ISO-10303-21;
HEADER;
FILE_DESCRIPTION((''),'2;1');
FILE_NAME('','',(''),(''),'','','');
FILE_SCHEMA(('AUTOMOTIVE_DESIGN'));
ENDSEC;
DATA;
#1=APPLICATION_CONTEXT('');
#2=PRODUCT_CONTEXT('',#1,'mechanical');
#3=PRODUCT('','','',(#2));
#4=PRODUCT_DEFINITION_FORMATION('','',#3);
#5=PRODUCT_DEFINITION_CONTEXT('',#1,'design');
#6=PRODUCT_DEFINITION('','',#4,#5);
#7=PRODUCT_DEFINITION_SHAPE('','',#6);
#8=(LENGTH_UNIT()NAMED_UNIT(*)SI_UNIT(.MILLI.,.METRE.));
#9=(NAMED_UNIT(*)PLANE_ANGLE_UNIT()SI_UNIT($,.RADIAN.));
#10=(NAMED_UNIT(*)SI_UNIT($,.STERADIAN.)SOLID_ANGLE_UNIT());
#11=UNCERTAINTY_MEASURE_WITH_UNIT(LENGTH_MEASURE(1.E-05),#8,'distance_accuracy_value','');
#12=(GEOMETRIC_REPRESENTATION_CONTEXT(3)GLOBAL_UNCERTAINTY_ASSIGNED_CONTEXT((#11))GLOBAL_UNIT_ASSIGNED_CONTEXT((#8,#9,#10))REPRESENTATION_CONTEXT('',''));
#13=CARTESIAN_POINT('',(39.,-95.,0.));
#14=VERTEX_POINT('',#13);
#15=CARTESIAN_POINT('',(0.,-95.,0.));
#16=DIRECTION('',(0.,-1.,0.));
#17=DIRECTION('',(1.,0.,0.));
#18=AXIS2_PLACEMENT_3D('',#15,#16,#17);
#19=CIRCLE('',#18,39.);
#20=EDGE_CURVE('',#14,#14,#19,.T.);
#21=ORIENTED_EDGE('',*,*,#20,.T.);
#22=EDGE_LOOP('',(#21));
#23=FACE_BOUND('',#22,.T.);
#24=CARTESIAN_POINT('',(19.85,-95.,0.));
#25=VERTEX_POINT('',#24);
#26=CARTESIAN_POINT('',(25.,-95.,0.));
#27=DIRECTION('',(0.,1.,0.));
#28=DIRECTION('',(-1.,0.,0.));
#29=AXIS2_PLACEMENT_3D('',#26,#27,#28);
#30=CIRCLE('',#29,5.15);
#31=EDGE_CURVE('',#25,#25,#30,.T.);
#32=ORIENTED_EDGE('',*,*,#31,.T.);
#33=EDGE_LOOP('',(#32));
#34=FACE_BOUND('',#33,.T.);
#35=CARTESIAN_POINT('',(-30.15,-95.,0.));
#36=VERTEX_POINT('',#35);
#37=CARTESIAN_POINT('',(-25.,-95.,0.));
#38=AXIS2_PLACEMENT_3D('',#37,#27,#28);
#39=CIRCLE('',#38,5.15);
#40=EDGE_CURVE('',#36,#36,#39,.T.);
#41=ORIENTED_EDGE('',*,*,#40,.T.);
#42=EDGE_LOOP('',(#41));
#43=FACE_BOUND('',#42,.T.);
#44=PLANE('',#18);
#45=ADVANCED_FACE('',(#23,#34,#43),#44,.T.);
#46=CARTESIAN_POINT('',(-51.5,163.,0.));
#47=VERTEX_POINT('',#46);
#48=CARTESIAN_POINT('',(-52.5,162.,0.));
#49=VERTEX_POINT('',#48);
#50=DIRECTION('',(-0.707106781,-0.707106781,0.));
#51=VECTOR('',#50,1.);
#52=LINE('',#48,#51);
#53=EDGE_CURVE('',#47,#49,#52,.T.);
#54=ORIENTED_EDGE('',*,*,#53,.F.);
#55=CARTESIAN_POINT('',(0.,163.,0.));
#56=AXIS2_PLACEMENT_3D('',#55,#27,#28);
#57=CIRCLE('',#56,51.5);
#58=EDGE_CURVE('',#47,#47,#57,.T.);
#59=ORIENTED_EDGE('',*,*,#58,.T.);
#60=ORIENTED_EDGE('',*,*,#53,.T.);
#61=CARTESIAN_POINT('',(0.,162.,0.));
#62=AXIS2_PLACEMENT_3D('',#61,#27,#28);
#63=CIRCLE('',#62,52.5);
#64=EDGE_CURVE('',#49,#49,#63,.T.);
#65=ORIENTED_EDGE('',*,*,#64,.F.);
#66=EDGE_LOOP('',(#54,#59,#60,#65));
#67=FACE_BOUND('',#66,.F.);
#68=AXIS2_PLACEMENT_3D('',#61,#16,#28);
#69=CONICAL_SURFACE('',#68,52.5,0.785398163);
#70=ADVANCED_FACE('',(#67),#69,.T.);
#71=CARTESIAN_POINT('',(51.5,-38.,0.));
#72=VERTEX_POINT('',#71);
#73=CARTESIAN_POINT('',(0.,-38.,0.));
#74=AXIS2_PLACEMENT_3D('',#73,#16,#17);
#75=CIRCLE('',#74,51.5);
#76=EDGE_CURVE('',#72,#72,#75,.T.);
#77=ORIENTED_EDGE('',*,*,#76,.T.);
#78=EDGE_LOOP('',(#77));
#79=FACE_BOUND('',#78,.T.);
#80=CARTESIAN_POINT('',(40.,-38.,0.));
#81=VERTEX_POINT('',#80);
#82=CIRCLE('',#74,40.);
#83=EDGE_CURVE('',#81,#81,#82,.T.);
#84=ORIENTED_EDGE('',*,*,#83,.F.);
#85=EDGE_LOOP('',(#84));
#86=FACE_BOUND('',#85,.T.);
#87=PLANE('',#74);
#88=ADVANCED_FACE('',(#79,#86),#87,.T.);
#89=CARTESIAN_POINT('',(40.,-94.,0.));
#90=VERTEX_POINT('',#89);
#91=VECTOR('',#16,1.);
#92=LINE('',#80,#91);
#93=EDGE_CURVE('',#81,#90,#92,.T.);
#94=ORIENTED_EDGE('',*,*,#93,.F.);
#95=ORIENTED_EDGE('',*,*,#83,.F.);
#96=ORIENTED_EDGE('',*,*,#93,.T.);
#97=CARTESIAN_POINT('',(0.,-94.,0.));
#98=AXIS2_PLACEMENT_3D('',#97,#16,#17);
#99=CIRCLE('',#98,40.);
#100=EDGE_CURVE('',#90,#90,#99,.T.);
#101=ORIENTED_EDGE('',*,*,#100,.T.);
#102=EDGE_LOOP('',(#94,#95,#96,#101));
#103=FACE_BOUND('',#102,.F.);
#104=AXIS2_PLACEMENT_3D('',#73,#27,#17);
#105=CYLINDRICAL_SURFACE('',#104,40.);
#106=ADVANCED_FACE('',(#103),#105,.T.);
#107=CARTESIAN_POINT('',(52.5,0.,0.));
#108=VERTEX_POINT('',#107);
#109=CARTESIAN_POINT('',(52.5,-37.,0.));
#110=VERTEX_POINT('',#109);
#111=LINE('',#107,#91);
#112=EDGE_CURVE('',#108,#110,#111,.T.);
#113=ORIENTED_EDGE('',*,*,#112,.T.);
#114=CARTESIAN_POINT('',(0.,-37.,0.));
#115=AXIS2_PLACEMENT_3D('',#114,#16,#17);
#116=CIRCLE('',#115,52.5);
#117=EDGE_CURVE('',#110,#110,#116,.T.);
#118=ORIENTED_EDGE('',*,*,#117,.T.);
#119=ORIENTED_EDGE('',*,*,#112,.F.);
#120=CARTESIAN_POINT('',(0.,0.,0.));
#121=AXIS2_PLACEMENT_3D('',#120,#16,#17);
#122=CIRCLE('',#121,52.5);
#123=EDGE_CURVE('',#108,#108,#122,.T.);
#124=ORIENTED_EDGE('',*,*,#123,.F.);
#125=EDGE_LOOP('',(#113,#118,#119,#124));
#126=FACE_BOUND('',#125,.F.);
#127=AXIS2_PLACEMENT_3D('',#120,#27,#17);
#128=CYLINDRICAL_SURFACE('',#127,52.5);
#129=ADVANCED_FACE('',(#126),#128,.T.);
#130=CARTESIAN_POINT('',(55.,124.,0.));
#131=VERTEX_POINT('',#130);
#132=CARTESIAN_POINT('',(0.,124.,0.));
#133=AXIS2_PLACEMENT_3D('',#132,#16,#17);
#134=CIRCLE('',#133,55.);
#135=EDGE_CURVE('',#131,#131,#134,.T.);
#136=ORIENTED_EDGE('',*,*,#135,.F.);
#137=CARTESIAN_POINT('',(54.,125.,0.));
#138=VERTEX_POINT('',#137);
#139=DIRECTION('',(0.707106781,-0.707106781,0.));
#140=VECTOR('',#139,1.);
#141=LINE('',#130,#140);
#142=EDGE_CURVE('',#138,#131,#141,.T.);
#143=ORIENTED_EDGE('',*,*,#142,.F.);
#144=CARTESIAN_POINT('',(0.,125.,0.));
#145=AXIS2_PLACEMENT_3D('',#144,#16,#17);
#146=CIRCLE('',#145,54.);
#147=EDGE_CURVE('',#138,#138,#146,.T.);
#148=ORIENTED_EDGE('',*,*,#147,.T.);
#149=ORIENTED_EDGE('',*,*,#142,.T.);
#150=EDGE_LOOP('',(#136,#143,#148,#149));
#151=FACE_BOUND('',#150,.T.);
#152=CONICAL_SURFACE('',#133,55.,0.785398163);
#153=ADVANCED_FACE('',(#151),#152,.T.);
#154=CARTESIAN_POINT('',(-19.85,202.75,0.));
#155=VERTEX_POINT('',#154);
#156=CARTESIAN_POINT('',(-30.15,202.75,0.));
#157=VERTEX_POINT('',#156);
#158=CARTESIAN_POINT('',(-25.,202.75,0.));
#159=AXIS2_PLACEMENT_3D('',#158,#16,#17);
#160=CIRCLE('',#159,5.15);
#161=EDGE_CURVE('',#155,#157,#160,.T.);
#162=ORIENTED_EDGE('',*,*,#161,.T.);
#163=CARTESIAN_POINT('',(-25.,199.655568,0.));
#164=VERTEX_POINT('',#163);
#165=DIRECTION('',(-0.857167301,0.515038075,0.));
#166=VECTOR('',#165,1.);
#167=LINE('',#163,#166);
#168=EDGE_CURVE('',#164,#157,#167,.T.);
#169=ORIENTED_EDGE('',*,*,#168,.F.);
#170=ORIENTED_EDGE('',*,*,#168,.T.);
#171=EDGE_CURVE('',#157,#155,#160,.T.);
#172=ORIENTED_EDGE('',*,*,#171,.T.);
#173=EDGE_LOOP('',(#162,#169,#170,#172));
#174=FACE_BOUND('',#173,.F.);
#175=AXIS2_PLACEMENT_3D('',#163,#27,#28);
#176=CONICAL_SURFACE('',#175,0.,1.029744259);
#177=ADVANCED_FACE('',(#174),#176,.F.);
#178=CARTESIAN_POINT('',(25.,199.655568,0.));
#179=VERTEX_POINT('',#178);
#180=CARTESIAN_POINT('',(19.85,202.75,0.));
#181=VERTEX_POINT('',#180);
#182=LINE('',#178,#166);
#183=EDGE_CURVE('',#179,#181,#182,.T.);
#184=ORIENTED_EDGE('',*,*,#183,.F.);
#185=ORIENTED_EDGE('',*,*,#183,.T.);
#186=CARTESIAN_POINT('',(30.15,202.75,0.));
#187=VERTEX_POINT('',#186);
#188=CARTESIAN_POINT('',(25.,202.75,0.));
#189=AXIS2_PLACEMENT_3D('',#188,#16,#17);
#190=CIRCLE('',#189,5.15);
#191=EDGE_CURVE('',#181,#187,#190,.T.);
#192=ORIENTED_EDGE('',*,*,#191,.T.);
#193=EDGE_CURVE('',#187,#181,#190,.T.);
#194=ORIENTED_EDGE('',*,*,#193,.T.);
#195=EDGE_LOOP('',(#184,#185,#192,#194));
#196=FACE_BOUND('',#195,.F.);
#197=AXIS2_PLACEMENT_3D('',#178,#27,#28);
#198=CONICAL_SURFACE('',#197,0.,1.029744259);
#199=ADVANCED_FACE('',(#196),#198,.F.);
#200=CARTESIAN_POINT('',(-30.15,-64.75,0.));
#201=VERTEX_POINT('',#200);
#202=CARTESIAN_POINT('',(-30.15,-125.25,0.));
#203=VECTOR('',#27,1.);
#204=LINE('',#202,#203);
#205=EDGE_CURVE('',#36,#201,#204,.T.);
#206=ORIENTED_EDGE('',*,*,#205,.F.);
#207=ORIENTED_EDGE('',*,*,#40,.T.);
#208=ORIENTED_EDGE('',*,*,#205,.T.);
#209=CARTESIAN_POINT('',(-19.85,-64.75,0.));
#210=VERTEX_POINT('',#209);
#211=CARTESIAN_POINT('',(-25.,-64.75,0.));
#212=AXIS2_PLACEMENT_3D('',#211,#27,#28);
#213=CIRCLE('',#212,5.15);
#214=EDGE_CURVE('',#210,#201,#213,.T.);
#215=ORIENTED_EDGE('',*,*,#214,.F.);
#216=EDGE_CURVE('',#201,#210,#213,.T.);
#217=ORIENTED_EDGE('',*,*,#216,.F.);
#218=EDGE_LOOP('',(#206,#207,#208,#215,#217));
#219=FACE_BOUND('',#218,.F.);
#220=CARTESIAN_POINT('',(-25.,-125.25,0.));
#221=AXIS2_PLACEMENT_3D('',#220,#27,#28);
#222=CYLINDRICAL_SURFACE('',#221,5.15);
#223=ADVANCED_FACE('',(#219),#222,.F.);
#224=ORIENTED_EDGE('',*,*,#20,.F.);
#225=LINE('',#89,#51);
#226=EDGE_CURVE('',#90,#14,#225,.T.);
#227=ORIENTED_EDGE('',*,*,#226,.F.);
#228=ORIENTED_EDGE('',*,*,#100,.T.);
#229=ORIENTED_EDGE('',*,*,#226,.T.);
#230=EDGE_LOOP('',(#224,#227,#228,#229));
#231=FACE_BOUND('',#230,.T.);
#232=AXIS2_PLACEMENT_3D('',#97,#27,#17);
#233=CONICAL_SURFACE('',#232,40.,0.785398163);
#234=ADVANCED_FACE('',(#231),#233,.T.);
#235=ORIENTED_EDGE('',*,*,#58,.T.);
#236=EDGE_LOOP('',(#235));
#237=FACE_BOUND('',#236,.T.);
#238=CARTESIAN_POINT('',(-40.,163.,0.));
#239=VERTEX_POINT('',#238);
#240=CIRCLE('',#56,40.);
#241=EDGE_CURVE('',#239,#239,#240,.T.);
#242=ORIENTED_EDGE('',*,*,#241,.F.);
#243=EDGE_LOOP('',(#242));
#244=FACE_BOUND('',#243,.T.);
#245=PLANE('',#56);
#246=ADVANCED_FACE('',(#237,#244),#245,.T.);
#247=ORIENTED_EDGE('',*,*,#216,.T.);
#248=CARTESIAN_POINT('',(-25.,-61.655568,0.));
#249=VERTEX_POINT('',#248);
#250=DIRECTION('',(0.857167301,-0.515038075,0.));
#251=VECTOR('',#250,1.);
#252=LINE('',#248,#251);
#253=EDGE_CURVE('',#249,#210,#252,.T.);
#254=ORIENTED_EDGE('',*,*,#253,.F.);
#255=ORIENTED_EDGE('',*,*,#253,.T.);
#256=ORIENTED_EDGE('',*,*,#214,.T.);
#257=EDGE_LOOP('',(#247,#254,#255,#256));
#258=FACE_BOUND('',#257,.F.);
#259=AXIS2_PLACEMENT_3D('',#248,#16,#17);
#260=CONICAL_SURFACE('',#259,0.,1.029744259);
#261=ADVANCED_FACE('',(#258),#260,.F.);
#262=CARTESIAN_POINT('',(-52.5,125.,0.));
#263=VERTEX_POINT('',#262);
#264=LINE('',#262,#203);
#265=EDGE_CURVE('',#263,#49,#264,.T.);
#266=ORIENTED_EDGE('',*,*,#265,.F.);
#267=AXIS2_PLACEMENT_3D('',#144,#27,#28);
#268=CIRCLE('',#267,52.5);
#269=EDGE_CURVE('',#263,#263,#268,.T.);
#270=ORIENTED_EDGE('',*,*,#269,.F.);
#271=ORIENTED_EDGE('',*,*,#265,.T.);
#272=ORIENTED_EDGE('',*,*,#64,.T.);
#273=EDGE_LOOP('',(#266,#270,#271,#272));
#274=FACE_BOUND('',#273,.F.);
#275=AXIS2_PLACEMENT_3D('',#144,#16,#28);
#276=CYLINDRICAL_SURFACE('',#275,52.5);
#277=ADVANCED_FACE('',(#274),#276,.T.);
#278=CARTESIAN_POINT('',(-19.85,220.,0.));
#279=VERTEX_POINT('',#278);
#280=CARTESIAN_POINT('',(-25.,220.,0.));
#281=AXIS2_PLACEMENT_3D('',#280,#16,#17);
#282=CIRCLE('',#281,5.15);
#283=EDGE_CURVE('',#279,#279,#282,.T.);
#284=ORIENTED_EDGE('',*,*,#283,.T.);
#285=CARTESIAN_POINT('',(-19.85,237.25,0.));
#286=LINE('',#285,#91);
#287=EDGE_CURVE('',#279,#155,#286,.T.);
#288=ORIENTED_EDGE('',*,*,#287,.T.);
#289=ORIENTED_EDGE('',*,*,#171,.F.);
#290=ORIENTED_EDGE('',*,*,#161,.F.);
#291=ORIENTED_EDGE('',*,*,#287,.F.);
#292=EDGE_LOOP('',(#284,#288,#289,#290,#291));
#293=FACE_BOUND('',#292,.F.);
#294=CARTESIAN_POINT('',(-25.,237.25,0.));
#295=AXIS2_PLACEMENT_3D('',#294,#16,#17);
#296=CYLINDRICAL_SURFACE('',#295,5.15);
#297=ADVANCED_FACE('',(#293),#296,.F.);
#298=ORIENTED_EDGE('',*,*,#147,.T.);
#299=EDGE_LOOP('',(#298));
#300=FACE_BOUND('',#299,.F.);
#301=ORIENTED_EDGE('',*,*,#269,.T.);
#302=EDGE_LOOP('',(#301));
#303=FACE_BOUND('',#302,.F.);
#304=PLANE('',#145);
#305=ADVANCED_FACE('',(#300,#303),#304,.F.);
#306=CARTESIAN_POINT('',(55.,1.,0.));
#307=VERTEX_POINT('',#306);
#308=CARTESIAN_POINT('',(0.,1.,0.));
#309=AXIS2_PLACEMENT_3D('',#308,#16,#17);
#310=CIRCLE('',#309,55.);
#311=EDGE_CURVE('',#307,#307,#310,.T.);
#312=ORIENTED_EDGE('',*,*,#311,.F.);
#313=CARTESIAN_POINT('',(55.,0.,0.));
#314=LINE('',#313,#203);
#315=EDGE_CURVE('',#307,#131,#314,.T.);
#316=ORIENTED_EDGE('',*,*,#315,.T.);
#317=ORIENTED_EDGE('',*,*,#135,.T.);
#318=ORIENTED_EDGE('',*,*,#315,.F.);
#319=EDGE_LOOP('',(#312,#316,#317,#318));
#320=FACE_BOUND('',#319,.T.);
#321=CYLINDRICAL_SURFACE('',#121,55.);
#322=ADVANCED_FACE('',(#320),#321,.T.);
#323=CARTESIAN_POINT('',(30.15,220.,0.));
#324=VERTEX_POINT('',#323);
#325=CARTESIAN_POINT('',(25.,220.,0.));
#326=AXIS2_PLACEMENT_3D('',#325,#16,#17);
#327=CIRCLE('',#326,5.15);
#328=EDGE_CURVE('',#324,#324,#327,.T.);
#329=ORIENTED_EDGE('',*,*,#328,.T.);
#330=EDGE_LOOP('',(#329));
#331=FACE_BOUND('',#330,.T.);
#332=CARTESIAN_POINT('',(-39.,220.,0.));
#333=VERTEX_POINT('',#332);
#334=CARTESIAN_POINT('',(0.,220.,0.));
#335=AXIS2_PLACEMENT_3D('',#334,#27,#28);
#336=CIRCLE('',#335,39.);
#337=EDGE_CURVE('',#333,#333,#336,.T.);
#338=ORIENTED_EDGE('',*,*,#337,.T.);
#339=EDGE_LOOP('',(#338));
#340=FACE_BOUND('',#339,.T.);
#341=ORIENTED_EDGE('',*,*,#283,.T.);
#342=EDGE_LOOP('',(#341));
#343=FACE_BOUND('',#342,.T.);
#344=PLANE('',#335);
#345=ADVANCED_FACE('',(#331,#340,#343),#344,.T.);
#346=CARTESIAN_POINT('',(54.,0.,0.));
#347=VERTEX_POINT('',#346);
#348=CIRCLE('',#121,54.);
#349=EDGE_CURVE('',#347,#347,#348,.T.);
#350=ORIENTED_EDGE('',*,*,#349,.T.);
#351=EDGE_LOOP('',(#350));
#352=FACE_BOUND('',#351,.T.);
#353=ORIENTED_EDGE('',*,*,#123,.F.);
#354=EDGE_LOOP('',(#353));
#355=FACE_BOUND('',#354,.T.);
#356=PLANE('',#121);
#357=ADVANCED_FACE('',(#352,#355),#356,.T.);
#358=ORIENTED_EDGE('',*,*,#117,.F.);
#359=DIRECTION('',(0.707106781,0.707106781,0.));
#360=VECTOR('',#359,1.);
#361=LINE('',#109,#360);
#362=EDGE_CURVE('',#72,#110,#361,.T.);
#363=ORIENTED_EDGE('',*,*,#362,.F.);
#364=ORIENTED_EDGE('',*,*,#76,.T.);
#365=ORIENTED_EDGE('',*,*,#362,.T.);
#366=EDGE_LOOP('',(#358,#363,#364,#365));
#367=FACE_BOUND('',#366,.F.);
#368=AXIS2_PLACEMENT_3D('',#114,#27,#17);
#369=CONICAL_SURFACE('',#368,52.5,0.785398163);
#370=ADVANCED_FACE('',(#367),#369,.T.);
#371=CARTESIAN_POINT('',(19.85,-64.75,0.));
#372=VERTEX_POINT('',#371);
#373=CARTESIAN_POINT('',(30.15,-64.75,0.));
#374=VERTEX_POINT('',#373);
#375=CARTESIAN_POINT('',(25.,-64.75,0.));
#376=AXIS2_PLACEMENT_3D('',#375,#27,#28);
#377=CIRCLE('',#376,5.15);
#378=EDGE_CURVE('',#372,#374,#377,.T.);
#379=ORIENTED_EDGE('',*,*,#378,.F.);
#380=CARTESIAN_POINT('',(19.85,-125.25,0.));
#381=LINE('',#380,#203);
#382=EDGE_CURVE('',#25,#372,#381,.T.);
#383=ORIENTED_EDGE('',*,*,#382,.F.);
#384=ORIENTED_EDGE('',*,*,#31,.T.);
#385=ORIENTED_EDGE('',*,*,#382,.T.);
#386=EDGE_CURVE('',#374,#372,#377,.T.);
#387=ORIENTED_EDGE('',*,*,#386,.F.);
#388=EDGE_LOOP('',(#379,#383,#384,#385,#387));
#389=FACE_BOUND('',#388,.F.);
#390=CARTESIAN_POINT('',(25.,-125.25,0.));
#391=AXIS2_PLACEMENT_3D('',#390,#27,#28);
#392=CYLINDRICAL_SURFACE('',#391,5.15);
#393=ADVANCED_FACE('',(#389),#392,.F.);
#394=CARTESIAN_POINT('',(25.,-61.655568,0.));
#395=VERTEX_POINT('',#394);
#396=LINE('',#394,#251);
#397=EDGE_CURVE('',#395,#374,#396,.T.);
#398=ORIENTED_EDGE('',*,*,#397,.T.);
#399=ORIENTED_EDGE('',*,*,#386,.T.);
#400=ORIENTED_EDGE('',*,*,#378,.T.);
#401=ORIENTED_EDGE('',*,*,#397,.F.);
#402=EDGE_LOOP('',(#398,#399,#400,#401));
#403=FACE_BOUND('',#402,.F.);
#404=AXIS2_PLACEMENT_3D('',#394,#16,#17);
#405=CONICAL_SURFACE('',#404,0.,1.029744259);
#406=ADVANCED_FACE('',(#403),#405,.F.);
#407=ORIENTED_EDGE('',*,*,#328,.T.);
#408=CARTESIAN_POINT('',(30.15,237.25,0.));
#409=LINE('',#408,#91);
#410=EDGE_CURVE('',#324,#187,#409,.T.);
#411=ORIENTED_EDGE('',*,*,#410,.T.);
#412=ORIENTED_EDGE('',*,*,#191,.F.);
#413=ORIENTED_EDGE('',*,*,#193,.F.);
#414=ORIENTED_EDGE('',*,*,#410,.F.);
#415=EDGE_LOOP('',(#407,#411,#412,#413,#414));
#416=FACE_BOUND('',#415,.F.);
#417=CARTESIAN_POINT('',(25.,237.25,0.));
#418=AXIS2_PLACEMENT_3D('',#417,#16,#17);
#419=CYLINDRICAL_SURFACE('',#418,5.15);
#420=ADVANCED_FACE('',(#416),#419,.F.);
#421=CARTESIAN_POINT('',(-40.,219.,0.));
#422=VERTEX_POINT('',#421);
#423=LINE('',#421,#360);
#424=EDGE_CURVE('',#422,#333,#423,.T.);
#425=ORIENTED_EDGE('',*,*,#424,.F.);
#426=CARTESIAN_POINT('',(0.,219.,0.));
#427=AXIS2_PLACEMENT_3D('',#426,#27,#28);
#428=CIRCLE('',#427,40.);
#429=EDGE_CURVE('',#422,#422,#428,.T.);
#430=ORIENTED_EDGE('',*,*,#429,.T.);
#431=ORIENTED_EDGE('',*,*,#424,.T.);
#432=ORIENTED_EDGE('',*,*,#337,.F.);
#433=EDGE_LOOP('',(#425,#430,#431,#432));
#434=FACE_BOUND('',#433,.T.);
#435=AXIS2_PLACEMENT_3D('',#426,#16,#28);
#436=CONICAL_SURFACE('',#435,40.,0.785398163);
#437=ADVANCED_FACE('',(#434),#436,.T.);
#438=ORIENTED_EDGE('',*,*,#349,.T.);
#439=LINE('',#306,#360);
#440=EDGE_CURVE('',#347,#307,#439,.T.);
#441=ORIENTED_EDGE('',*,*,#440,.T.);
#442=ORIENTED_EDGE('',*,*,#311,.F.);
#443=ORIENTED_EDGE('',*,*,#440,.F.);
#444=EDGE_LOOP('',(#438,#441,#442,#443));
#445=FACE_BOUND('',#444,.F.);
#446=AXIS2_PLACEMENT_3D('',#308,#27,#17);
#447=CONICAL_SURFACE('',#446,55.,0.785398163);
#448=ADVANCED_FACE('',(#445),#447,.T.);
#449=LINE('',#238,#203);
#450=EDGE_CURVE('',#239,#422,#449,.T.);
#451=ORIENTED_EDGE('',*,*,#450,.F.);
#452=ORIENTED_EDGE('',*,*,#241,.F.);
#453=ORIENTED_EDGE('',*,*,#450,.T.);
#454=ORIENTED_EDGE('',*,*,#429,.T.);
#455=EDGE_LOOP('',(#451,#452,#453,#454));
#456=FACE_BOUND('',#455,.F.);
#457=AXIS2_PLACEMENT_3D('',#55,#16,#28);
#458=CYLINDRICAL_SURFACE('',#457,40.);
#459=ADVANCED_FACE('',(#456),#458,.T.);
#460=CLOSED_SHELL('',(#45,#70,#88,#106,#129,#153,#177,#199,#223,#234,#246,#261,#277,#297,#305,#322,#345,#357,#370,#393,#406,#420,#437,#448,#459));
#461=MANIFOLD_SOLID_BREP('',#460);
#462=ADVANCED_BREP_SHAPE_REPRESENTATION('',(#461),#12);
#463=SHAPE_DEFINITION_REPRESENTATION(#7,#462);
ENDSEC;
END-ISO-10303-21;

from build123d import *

# Parameters (mm, degrees)
F0_R      = 55
F1_DEPTH  = 125
F2_R      = 52.5
F3_DEPTH  = 38
F4_R      = 40
F5_DEPTH  = 57
F6_R      = 52.5
F7_DEPTH  = 38
F8_R      = 40
F9_DEPTH  = 57
F10_SIZE  = 1
F11_SIZE  = 1
F12_SIZE  = 1
F13_SIZE  = 1
F14_SIZE  = 1
F15_SIZE  = 1
F17_D     = 10.3
F17_DEPTH = 30.25
F17_TIP   = 3.094432188
F19_D     = 10.3
F19_DEPTH = 17.25
F19_TIP   = 3.094432188


with BuildPart() as f1:
    # F0 (on Front) → F1 (new body)
    with BuildSketch(Plane.XZ):
        Circle(F0_R)
    extrude(amount=-F1_DEPTH)

    # F2 (on face) → F3 (join)
    with BuildSketch(Plane.XZ):
        Circle(F2_R)
    extrude(amount=F3_DEPTH)

    # F4 (on face) → F5 (join)
    with BuildSketch(Plane.XZ.offset(38)):
        Circle(F4_R)
    extrude(amount=F5_DEPTH)

    # F6 (on face) → F7 (join)
    with BuildSketch(Plane(origin=(0, 125, 0), x_dir=(-1, 0, 0), z_dir=(0, 1, 0))):
        Circle(F6_R)
    extrude(amount=F7_DEPTH)

    # F8 (on face) → F9 (join)
    with BuildSketch(Plane(origin=(0, 163, 0), x_dir=(-1, 0, 0), z_dir=(0, 1, 0))):
        Circle(F8_R)
    extrude(amount=F9_DEPTH)

    # F10
    f10_edges = [f1.edges().sort_by_distance(p)[0] for p in [
        (-40, -95, 0),
    ]]
    chamfer(f10_edges, length=F10_SIZE)

    # F11
    f11_edges = [f1.edges().sort_by_distance(p)[0] for p in [
        (-52.5, -38, 0),
    ]]
    chamfer(f11_edges, length=F11_SIZE)

    # F12
    f12_edges = [f1.edges().sort_by_distance(p)[0] for p in [
        (-55, 0, 0),
    ]]
    chamfer(f12_edges, length=F12_SIZE)

    # F13
    f13_edges = [f1.edges().sort_by_distance(p)[0] for p in [
        (40, 220, 0),
    ]]
    chamfer(f13_edges, length=F13_SIZE)

    # F14
    f14_edges = [f1.edges().sort_by_distance(p)[0] for p in [
        (52.5, 163, 0),
    ]]
    chamfer(f14_edges, length=F14_SIZE)

    # F15
    f15_edges = [f1.edges().sort_by_distance(p)[0] for p in [
        (-55, 125, 0),
    ]]
    chamfer(f15_edges, length=F15_SIZE)

    # F17
    with Locations(Plane.XZ.offset(95)):
        with Locations((-25, 0), (25, 0)):
            Hole(F17_D / 2, depth=F17_DEPTH)
            with Locations((0, 0, -(F17_DEPTH + F17_TIP / 2))):  # 118° drill point
                Cone(0, F17_D / 2, F17_TIP, mode=Mode.SUBTRACT)

    # F19
    with Locations(Plane(origin=(0, 220, 0), x_dir=(-1, 0, 0), z_dir=(0, 1, 0))):
        with Locations((-25, 0), (25, 0)):
            Hole(F19_D / 2, depth=F19_DEPTH)
            with Locations((0, 0, -(F19_DEPTH + F19_TIP / 2))):  # 118° drill point
                Cone(0, F19_D / 2, F19_TIP, mode=Mode.SUBTRACT)


solid = f1.part
